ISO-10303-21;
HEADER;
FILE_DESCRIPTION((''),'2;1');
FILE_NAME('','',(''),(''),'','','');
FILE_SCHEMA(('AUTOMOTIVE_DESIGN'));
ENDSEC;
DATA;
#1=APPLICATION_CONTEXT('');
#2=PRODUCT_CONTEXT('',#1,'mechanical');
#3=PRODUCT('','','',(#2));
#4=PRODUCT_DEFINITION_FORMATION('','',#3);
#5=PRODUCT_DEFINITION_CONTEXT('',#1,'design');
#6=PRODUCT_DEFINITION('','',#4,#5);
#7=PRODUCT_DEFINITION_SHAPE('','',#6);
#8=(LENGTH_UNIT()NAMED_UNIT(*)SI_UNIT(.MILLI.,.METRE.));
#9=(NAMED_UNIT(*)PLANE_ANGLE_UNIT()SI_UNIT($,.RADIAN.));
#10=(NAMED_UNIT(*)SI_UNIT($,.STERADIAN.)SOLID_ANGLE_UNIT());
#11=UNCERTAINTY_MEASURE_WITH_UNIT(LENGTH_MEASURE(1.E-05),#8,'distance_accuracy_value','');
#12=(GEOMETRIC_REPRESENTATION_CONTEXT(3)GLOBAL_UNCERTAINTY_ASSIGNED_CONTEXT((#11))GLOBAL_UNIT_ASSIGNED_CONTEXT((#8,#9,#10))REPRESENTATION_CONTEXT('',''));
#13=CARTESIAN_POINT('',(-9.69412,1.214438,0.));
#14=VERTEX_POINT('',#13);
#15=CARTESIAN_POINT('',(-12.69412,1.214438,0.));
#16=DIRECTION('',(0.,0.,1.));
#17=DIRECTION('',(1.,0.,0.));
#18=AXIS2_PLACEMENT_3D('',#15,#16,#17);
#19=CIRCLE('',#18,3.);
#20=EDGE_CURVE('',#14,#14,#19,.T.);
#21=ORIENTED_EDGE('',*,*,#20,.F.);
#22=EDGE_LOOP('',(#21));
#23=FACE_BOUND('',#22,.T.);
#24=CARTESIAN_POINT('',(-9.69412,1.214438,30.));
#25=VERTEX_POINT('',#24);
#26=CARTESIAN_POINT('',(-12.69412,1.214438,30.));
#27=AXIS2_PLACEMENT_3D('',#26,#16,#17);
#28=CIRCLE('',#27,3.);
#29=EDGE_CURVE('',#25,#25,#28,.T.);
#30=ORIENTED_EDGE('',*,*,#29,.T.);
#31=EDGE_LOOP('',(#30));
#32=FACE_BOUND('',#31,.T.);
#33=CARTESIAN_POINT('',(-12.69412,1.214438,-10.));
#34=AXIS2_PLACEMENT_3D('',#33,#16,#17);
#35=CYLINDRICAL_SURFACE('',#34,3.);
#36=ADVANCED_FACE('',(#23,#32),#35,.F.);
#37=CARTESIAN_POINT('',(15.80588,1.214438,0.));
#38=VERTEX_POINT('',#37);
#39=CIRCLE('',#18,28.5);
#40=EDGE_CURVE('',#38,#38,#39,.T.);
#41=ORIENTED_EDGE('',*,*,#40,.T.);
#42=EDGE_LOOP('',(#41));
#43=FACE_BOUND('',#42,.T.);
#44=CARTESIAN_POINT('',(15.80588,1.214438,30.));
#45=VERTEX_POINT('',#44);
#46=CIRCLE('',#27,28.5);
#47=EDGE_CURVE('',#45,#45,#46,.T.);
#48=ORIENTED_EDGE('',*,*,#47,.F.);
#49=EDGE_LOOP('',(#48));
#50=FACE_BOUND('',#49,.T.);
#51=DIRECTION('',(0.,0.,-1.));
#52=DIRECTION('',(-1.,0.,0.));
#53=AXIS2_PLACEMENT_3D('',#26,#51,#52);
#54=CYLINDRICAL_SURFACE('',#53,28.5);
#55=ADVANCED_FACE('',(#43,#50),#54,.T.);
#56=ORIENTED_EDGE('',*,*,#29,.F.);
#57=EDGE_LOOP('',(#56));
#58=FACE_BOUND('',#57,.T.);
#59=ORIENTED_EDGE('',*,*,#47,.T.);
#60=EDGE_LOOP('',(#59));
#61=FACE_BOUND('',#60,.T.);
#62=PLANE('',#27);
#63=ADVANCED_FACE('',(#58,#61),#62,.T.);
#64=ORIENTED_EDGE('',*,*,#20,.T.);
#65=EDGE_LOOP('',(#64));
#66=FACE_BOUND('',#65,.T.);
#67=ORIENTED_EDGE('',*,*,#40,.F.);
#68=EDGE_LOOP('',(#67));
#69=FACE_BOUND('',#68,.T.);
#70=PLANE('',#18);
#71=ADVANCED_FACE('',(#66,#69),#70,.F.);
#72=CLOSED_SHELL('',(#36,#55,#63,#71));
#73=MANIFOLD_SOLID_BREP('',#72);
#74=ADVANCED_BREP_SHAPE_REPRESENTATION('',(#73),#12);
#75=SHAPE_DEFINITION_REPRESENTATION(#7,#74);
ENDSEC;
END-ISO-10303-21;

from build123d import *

# Parameters (mm, degrees)
SKETCH_1_R          = 28.5
EXTRUDE_1_DEPTH     = 30
SKETCH_2_R          = 3
CUT_EXTRUDE_1_DEPTH = 40


with BuildPart() as part:
    # ｽｹｯﾁ1 → ﾎﾞｽ - 押し出し1 (new body)
    with BuildSketch(Plane.XY):
        with Locations((-12.69412037, 1.2144375)):
            Circle(SKETCH_1_R)
    extrude(amount=EXTRUDE_1_DEPTH)

    # ｽｹｯﾁ2 → ｶｯﾄ - 押し出し1 (cut)
    with BuildSketch(Plane.XY.offset(30)):
        with Locations((-12.69412037, 1.2144375)):
            Circle(SKETCH_2_R)
    extrude(amount=-CUT_EXTRUDE_1_DEPTH, mode=Mode.SUBTRACT)


solid = part.part
